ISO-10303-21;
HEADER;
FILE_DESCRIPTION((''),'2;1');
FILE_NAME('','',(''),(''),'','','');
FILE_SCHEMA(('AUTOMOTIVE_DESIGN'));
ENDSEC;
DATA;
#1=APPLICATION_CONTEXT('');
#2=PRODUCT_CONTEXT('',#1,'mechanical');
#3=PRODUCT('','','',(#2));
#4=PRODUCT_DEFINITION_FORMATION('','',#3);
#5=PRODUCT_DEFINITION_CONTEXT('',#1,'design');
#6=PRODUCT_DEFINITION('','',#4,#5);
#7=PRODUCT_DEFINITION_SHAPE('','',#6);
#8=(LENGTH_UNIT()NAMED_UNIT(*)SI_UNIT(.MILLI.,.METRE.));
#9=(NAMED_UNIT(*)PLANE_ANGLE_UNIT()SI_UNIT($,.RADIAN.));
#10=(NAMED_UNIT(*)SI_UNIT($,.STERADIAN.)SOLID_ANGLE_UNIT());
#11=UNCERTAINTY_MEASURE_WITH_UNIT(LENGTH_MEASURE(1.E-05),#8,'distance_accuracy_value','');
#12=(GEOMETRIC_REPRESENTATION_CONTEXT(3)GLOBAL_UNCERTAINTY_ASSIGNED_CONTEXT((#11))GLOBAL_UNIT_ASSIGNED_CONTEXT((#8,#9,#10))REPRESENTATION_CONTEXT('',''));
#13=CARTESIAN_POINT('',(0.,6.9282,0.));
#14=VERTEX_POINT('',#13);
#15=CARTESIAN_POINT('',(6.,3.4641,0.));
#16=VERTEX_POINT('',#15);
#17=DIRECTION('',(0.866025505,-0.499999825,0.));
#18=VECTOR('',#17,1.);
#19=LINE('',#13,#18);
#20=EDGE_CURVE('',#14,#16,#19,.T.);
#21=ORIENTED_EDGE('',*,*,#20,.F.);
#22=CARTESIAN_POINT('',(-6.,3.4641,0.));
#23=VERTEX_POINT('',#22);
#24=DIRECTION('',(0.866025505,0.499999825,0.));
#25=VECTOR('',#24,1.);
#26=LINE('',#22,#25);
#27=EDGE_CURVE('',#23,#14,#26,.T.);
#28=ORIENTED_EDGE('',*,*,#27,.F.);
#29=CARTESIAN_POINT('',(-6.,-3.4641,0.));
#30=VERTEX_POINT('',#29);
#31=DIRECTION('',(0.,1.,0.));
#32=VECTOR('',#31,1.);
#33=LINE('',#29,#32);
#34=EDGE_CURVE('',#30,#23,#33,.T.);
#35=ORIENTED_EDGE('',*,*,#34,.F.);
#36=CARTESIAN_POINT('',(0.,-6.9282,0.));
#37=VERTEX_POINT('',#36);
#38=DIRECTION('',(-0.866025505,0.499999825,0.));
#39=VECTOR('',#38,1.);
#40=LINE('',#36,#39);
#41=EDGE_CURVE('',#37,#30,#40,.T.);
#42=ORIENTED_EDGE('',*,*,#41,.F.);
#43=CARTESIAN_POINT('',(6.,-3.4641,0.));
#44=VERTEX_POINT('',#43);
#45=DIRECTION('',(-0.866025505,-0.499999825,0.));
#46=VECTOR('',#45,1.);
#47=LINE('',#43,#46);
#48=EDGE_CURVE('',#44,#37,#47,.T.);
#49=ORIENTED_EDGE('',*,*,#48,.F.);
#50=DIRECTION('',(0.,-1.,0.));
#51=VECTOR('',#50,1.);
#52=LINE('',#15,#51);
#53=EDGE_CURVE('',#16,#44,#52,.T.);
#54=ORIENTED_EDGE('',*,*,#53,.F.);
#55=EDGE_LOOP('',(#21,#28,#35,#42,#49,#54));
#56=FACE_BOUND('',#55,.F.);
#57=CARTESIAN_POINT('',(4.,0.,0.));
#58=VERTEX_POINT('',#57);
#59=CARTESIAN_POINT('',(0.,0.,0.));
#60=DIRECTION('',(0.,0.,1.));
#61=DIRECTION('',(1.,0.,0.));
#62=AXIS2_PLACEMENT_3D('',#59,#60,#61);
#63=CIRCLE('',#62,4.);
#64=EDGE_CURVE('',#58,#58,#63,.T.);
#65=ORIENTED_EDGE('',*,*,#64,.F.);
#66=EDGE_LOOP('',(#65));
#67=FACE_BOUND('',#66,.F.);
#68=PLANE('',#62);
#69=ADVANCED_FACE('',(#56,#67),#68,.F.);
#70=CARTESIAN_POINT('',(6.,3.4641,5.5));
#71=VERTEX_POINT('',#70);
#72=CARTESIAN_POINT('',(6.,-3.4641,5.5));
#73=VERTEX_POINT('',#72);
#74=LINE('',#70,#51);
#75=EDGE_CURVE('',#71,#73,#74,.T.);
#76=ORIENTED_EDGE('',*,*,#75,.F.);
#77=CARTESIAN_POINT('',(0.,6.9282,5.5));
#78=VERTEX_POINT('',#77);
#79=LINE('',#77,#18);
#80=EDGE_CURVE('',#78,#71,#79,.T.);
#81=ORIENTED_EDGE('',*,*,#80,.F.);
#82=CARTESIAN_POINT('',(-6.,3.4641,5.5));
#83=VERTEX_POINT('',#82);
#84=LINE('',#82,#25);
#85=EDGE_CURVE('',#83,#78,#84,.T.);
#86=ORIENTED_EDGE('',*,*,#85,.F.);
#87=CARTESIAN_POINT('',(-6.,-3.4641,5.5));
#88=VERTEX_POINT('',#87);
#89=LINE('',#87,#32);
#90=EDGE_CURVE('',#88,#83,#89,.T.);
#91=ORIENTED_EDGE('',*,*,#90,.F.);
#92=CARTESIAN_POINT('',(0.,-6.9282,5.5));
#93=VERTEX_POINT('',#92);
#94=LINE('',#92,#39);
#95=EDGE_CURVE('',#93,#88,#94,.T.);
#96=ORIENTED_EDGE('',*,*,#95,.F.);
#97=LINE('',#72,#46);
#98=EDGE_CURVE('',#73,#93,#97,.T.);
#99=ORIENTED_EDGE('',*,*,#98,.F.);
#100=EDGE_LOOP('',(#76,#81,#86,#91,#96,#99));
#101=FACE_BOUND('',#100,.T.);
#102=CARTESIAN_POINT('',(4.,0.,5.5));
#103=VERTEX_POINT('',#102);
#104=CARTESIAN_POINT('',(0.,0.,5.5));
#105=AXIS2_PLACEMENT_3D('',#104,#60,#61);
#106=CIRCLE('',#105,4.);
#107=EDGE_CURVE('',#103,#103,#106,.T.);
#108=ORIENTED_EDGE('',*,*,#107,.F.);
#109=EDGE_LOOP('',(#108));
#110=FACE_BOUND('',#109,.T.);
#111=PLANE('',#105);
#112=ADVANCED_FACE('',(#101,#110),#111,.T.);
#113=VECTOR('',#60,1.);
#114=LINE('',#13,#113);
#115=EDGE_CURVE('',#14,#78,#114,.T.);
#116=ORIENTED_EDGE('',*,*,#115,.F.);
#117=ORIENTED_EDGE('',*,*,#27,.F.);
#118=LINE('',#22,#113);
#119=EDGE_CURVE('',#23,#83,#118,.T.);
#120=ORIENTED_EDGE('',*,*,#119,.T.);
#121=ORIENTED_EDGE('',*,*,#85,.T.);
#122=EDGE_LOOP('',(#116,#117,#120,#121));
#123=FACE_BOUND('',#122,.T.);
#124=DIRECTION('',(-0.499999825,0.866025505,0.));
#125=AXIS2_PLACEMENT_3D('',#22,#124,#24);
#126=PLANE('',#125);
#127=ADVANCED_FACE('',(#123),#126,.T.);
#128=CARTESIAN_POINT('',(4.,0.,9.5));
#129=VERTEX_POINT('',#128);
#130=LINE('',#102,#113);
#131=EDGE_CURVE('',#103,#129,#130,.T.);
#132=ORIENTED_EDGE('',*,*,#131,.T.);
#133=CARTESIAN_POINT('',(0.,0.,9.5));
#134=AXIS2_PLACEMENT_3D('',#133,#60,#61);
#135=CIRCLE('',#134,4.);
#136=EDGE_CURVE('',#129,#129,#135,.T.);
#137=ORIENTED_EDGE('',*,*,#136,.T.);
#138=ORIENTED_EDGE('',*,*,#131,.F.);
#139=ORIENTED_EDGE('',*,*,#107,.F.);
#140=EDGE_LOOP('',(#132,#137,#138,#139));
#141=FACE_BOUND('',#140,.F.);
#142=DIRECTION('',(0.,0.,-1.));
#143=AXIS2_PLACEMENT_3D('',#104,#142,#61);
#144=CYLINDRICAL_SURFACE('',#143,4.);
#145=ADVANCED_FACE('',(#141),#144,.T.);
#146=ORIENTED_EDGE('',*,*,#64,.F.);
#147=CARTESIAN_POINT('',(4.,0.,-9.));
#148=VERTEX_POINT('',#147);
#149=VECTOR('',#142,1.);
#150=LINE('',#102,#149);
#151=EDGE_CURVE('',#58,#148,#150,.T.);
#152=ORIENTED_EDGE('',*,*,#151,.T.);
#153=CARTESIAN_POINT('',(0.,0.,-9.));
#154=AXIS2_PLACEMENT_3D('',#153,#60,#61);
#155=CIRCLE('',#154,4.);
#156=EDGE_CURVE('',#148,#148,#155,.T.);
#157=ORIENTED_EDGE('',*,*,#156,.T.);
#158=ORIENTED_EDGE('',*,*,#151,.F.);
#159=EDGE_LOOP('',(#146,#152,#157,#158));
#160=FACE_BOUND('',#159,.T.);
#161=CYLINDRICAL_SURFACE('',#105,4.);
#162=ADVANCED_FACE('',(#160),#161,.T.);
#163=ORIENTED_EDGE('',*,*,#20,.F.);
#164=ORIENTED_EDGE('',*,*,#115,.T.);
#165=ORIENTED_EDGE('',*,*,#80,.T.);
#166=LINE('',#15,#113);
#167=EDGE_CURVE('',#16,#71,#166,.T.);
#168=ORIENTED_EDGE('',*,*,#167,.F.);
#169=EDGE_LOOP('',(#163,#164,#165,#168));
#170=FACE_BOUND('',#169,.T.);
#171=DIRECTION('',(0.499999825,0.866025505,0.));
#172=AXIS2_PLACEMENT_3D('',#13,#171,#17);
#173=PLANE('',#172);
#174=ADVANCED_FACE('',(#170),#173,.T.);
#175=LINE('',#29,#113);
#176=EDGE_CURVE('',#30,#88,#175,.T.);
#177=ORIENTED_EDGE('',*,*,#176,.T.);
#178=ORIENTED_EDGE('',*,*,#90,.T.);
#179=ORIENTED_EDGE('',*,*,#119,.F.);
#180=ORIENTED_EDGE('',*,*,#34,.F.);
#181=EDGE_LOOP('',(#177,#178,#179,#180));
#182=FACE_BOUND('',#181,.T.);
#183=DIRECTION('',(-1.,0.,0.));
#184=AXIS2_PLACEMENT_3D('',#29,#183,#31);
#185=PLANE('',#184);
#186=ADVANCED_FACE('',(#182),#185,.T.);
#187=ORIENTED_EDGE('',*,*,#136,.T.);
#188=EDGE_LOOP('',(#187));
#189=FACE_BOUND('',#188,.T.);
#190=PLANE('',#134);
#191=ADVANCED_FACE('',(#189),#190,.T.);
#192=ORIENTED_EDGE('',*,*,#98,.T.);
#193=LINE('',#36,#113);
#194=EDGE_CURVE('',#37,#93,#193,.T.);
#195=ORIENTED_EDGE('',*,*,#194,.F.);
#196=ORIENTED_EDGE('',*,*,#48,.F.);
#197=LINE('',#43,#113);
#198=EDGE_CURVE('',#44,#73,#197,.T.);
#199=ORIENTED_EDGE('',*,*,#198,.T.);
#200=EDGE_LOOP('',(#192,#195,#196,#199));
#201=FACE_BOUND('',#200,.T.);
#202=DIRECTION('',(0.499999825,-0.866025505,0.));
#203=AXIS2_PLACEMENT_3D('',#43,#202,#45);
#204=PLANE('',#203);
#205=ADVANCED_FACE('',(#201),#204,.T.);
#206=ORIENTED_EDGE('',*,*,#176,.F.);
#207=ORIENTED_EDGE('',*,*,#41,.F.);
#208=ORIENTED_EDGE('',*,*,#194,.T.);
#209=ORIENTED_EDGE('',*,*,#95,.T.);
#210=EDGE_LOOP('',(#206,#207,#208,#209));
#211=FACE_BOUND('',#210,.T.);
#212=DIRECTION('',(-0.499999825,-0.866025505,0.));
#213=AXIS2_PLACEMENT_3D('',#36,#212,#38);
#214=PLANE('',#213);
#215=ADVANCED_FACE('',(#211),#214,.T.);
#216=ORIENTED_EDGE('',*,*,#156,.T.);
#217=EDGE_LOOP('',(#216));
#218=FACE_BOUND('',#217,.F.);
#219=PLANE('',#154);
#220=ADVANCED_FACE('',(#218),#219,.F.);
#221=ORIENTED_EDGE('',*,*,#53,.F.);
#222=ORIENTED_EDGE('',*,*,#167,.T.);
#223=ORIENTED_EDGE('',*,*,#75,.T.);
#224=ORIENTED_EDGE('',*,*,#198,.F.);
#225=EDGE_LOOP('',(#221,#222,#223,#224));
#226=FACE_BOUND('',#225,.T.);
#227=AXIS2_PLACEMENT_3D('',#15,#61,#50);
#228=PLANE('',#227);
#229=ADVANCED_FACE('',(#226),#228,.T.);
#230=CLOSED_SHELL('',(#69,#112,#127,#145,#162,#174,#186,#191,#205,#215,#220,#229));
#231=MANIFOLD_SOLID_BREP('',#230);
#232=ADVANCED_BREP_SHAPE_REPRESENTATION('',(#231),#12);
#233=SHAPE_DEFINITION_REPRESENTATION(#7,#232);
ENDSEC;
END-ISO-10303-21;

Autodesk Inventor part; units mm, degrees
ref_plane "YZ Plane" through (0, 0, 0) normal (1, 0, 0) x (0, 1, 0)
ref_plane "XZ Plane" through (0, 0, 0) normal (0, 1, 0) x (-1, 0, 0)
ref_plane "XY Plane" through (0, 0, 0) normal (0, 0, 1) x (1, 0, 0)
sketch "Sketch1" plane through (0, 0, 0) normal (0, 0, 1) x (1, 0, 0)
  line L0 (0, 6.9282) -> (6, 3.4641)
  line L1 (6, 3.4641) -> (6, -3.4641)
  line L2 (6, -3.4641) -> (0, -6.9282)
  line L3 (0, -6.9282) -> (-6, -3.4641)
  line L4 (-6, -3.4641) -> (-6, 3.4641)
  line L5 (-6, 3.4641) -> (0, 6.9282)
  point P0 (0, 0)
  point P1 (0, 0)
  dimension "d0" = 12
extrude "Extrusion1" add sketch "Sketch1" along normal blind 5.5
sketch "Sketch2" plane through (0, 0, 5.5) normal (0, 0, 1) x (1, 0, 0)
  circle A0 centre (0, 0) radius 4
  dimension "d3" = 8
extrude "Extrusion2" add sketch "Sketch2" along normal blind 4 and the other way blind 14.5
thread "Thread1" size "M8x1.25" class "6g" standard "ANSI Metric M Profile" length 45
properties part number "hudson-1-46"
